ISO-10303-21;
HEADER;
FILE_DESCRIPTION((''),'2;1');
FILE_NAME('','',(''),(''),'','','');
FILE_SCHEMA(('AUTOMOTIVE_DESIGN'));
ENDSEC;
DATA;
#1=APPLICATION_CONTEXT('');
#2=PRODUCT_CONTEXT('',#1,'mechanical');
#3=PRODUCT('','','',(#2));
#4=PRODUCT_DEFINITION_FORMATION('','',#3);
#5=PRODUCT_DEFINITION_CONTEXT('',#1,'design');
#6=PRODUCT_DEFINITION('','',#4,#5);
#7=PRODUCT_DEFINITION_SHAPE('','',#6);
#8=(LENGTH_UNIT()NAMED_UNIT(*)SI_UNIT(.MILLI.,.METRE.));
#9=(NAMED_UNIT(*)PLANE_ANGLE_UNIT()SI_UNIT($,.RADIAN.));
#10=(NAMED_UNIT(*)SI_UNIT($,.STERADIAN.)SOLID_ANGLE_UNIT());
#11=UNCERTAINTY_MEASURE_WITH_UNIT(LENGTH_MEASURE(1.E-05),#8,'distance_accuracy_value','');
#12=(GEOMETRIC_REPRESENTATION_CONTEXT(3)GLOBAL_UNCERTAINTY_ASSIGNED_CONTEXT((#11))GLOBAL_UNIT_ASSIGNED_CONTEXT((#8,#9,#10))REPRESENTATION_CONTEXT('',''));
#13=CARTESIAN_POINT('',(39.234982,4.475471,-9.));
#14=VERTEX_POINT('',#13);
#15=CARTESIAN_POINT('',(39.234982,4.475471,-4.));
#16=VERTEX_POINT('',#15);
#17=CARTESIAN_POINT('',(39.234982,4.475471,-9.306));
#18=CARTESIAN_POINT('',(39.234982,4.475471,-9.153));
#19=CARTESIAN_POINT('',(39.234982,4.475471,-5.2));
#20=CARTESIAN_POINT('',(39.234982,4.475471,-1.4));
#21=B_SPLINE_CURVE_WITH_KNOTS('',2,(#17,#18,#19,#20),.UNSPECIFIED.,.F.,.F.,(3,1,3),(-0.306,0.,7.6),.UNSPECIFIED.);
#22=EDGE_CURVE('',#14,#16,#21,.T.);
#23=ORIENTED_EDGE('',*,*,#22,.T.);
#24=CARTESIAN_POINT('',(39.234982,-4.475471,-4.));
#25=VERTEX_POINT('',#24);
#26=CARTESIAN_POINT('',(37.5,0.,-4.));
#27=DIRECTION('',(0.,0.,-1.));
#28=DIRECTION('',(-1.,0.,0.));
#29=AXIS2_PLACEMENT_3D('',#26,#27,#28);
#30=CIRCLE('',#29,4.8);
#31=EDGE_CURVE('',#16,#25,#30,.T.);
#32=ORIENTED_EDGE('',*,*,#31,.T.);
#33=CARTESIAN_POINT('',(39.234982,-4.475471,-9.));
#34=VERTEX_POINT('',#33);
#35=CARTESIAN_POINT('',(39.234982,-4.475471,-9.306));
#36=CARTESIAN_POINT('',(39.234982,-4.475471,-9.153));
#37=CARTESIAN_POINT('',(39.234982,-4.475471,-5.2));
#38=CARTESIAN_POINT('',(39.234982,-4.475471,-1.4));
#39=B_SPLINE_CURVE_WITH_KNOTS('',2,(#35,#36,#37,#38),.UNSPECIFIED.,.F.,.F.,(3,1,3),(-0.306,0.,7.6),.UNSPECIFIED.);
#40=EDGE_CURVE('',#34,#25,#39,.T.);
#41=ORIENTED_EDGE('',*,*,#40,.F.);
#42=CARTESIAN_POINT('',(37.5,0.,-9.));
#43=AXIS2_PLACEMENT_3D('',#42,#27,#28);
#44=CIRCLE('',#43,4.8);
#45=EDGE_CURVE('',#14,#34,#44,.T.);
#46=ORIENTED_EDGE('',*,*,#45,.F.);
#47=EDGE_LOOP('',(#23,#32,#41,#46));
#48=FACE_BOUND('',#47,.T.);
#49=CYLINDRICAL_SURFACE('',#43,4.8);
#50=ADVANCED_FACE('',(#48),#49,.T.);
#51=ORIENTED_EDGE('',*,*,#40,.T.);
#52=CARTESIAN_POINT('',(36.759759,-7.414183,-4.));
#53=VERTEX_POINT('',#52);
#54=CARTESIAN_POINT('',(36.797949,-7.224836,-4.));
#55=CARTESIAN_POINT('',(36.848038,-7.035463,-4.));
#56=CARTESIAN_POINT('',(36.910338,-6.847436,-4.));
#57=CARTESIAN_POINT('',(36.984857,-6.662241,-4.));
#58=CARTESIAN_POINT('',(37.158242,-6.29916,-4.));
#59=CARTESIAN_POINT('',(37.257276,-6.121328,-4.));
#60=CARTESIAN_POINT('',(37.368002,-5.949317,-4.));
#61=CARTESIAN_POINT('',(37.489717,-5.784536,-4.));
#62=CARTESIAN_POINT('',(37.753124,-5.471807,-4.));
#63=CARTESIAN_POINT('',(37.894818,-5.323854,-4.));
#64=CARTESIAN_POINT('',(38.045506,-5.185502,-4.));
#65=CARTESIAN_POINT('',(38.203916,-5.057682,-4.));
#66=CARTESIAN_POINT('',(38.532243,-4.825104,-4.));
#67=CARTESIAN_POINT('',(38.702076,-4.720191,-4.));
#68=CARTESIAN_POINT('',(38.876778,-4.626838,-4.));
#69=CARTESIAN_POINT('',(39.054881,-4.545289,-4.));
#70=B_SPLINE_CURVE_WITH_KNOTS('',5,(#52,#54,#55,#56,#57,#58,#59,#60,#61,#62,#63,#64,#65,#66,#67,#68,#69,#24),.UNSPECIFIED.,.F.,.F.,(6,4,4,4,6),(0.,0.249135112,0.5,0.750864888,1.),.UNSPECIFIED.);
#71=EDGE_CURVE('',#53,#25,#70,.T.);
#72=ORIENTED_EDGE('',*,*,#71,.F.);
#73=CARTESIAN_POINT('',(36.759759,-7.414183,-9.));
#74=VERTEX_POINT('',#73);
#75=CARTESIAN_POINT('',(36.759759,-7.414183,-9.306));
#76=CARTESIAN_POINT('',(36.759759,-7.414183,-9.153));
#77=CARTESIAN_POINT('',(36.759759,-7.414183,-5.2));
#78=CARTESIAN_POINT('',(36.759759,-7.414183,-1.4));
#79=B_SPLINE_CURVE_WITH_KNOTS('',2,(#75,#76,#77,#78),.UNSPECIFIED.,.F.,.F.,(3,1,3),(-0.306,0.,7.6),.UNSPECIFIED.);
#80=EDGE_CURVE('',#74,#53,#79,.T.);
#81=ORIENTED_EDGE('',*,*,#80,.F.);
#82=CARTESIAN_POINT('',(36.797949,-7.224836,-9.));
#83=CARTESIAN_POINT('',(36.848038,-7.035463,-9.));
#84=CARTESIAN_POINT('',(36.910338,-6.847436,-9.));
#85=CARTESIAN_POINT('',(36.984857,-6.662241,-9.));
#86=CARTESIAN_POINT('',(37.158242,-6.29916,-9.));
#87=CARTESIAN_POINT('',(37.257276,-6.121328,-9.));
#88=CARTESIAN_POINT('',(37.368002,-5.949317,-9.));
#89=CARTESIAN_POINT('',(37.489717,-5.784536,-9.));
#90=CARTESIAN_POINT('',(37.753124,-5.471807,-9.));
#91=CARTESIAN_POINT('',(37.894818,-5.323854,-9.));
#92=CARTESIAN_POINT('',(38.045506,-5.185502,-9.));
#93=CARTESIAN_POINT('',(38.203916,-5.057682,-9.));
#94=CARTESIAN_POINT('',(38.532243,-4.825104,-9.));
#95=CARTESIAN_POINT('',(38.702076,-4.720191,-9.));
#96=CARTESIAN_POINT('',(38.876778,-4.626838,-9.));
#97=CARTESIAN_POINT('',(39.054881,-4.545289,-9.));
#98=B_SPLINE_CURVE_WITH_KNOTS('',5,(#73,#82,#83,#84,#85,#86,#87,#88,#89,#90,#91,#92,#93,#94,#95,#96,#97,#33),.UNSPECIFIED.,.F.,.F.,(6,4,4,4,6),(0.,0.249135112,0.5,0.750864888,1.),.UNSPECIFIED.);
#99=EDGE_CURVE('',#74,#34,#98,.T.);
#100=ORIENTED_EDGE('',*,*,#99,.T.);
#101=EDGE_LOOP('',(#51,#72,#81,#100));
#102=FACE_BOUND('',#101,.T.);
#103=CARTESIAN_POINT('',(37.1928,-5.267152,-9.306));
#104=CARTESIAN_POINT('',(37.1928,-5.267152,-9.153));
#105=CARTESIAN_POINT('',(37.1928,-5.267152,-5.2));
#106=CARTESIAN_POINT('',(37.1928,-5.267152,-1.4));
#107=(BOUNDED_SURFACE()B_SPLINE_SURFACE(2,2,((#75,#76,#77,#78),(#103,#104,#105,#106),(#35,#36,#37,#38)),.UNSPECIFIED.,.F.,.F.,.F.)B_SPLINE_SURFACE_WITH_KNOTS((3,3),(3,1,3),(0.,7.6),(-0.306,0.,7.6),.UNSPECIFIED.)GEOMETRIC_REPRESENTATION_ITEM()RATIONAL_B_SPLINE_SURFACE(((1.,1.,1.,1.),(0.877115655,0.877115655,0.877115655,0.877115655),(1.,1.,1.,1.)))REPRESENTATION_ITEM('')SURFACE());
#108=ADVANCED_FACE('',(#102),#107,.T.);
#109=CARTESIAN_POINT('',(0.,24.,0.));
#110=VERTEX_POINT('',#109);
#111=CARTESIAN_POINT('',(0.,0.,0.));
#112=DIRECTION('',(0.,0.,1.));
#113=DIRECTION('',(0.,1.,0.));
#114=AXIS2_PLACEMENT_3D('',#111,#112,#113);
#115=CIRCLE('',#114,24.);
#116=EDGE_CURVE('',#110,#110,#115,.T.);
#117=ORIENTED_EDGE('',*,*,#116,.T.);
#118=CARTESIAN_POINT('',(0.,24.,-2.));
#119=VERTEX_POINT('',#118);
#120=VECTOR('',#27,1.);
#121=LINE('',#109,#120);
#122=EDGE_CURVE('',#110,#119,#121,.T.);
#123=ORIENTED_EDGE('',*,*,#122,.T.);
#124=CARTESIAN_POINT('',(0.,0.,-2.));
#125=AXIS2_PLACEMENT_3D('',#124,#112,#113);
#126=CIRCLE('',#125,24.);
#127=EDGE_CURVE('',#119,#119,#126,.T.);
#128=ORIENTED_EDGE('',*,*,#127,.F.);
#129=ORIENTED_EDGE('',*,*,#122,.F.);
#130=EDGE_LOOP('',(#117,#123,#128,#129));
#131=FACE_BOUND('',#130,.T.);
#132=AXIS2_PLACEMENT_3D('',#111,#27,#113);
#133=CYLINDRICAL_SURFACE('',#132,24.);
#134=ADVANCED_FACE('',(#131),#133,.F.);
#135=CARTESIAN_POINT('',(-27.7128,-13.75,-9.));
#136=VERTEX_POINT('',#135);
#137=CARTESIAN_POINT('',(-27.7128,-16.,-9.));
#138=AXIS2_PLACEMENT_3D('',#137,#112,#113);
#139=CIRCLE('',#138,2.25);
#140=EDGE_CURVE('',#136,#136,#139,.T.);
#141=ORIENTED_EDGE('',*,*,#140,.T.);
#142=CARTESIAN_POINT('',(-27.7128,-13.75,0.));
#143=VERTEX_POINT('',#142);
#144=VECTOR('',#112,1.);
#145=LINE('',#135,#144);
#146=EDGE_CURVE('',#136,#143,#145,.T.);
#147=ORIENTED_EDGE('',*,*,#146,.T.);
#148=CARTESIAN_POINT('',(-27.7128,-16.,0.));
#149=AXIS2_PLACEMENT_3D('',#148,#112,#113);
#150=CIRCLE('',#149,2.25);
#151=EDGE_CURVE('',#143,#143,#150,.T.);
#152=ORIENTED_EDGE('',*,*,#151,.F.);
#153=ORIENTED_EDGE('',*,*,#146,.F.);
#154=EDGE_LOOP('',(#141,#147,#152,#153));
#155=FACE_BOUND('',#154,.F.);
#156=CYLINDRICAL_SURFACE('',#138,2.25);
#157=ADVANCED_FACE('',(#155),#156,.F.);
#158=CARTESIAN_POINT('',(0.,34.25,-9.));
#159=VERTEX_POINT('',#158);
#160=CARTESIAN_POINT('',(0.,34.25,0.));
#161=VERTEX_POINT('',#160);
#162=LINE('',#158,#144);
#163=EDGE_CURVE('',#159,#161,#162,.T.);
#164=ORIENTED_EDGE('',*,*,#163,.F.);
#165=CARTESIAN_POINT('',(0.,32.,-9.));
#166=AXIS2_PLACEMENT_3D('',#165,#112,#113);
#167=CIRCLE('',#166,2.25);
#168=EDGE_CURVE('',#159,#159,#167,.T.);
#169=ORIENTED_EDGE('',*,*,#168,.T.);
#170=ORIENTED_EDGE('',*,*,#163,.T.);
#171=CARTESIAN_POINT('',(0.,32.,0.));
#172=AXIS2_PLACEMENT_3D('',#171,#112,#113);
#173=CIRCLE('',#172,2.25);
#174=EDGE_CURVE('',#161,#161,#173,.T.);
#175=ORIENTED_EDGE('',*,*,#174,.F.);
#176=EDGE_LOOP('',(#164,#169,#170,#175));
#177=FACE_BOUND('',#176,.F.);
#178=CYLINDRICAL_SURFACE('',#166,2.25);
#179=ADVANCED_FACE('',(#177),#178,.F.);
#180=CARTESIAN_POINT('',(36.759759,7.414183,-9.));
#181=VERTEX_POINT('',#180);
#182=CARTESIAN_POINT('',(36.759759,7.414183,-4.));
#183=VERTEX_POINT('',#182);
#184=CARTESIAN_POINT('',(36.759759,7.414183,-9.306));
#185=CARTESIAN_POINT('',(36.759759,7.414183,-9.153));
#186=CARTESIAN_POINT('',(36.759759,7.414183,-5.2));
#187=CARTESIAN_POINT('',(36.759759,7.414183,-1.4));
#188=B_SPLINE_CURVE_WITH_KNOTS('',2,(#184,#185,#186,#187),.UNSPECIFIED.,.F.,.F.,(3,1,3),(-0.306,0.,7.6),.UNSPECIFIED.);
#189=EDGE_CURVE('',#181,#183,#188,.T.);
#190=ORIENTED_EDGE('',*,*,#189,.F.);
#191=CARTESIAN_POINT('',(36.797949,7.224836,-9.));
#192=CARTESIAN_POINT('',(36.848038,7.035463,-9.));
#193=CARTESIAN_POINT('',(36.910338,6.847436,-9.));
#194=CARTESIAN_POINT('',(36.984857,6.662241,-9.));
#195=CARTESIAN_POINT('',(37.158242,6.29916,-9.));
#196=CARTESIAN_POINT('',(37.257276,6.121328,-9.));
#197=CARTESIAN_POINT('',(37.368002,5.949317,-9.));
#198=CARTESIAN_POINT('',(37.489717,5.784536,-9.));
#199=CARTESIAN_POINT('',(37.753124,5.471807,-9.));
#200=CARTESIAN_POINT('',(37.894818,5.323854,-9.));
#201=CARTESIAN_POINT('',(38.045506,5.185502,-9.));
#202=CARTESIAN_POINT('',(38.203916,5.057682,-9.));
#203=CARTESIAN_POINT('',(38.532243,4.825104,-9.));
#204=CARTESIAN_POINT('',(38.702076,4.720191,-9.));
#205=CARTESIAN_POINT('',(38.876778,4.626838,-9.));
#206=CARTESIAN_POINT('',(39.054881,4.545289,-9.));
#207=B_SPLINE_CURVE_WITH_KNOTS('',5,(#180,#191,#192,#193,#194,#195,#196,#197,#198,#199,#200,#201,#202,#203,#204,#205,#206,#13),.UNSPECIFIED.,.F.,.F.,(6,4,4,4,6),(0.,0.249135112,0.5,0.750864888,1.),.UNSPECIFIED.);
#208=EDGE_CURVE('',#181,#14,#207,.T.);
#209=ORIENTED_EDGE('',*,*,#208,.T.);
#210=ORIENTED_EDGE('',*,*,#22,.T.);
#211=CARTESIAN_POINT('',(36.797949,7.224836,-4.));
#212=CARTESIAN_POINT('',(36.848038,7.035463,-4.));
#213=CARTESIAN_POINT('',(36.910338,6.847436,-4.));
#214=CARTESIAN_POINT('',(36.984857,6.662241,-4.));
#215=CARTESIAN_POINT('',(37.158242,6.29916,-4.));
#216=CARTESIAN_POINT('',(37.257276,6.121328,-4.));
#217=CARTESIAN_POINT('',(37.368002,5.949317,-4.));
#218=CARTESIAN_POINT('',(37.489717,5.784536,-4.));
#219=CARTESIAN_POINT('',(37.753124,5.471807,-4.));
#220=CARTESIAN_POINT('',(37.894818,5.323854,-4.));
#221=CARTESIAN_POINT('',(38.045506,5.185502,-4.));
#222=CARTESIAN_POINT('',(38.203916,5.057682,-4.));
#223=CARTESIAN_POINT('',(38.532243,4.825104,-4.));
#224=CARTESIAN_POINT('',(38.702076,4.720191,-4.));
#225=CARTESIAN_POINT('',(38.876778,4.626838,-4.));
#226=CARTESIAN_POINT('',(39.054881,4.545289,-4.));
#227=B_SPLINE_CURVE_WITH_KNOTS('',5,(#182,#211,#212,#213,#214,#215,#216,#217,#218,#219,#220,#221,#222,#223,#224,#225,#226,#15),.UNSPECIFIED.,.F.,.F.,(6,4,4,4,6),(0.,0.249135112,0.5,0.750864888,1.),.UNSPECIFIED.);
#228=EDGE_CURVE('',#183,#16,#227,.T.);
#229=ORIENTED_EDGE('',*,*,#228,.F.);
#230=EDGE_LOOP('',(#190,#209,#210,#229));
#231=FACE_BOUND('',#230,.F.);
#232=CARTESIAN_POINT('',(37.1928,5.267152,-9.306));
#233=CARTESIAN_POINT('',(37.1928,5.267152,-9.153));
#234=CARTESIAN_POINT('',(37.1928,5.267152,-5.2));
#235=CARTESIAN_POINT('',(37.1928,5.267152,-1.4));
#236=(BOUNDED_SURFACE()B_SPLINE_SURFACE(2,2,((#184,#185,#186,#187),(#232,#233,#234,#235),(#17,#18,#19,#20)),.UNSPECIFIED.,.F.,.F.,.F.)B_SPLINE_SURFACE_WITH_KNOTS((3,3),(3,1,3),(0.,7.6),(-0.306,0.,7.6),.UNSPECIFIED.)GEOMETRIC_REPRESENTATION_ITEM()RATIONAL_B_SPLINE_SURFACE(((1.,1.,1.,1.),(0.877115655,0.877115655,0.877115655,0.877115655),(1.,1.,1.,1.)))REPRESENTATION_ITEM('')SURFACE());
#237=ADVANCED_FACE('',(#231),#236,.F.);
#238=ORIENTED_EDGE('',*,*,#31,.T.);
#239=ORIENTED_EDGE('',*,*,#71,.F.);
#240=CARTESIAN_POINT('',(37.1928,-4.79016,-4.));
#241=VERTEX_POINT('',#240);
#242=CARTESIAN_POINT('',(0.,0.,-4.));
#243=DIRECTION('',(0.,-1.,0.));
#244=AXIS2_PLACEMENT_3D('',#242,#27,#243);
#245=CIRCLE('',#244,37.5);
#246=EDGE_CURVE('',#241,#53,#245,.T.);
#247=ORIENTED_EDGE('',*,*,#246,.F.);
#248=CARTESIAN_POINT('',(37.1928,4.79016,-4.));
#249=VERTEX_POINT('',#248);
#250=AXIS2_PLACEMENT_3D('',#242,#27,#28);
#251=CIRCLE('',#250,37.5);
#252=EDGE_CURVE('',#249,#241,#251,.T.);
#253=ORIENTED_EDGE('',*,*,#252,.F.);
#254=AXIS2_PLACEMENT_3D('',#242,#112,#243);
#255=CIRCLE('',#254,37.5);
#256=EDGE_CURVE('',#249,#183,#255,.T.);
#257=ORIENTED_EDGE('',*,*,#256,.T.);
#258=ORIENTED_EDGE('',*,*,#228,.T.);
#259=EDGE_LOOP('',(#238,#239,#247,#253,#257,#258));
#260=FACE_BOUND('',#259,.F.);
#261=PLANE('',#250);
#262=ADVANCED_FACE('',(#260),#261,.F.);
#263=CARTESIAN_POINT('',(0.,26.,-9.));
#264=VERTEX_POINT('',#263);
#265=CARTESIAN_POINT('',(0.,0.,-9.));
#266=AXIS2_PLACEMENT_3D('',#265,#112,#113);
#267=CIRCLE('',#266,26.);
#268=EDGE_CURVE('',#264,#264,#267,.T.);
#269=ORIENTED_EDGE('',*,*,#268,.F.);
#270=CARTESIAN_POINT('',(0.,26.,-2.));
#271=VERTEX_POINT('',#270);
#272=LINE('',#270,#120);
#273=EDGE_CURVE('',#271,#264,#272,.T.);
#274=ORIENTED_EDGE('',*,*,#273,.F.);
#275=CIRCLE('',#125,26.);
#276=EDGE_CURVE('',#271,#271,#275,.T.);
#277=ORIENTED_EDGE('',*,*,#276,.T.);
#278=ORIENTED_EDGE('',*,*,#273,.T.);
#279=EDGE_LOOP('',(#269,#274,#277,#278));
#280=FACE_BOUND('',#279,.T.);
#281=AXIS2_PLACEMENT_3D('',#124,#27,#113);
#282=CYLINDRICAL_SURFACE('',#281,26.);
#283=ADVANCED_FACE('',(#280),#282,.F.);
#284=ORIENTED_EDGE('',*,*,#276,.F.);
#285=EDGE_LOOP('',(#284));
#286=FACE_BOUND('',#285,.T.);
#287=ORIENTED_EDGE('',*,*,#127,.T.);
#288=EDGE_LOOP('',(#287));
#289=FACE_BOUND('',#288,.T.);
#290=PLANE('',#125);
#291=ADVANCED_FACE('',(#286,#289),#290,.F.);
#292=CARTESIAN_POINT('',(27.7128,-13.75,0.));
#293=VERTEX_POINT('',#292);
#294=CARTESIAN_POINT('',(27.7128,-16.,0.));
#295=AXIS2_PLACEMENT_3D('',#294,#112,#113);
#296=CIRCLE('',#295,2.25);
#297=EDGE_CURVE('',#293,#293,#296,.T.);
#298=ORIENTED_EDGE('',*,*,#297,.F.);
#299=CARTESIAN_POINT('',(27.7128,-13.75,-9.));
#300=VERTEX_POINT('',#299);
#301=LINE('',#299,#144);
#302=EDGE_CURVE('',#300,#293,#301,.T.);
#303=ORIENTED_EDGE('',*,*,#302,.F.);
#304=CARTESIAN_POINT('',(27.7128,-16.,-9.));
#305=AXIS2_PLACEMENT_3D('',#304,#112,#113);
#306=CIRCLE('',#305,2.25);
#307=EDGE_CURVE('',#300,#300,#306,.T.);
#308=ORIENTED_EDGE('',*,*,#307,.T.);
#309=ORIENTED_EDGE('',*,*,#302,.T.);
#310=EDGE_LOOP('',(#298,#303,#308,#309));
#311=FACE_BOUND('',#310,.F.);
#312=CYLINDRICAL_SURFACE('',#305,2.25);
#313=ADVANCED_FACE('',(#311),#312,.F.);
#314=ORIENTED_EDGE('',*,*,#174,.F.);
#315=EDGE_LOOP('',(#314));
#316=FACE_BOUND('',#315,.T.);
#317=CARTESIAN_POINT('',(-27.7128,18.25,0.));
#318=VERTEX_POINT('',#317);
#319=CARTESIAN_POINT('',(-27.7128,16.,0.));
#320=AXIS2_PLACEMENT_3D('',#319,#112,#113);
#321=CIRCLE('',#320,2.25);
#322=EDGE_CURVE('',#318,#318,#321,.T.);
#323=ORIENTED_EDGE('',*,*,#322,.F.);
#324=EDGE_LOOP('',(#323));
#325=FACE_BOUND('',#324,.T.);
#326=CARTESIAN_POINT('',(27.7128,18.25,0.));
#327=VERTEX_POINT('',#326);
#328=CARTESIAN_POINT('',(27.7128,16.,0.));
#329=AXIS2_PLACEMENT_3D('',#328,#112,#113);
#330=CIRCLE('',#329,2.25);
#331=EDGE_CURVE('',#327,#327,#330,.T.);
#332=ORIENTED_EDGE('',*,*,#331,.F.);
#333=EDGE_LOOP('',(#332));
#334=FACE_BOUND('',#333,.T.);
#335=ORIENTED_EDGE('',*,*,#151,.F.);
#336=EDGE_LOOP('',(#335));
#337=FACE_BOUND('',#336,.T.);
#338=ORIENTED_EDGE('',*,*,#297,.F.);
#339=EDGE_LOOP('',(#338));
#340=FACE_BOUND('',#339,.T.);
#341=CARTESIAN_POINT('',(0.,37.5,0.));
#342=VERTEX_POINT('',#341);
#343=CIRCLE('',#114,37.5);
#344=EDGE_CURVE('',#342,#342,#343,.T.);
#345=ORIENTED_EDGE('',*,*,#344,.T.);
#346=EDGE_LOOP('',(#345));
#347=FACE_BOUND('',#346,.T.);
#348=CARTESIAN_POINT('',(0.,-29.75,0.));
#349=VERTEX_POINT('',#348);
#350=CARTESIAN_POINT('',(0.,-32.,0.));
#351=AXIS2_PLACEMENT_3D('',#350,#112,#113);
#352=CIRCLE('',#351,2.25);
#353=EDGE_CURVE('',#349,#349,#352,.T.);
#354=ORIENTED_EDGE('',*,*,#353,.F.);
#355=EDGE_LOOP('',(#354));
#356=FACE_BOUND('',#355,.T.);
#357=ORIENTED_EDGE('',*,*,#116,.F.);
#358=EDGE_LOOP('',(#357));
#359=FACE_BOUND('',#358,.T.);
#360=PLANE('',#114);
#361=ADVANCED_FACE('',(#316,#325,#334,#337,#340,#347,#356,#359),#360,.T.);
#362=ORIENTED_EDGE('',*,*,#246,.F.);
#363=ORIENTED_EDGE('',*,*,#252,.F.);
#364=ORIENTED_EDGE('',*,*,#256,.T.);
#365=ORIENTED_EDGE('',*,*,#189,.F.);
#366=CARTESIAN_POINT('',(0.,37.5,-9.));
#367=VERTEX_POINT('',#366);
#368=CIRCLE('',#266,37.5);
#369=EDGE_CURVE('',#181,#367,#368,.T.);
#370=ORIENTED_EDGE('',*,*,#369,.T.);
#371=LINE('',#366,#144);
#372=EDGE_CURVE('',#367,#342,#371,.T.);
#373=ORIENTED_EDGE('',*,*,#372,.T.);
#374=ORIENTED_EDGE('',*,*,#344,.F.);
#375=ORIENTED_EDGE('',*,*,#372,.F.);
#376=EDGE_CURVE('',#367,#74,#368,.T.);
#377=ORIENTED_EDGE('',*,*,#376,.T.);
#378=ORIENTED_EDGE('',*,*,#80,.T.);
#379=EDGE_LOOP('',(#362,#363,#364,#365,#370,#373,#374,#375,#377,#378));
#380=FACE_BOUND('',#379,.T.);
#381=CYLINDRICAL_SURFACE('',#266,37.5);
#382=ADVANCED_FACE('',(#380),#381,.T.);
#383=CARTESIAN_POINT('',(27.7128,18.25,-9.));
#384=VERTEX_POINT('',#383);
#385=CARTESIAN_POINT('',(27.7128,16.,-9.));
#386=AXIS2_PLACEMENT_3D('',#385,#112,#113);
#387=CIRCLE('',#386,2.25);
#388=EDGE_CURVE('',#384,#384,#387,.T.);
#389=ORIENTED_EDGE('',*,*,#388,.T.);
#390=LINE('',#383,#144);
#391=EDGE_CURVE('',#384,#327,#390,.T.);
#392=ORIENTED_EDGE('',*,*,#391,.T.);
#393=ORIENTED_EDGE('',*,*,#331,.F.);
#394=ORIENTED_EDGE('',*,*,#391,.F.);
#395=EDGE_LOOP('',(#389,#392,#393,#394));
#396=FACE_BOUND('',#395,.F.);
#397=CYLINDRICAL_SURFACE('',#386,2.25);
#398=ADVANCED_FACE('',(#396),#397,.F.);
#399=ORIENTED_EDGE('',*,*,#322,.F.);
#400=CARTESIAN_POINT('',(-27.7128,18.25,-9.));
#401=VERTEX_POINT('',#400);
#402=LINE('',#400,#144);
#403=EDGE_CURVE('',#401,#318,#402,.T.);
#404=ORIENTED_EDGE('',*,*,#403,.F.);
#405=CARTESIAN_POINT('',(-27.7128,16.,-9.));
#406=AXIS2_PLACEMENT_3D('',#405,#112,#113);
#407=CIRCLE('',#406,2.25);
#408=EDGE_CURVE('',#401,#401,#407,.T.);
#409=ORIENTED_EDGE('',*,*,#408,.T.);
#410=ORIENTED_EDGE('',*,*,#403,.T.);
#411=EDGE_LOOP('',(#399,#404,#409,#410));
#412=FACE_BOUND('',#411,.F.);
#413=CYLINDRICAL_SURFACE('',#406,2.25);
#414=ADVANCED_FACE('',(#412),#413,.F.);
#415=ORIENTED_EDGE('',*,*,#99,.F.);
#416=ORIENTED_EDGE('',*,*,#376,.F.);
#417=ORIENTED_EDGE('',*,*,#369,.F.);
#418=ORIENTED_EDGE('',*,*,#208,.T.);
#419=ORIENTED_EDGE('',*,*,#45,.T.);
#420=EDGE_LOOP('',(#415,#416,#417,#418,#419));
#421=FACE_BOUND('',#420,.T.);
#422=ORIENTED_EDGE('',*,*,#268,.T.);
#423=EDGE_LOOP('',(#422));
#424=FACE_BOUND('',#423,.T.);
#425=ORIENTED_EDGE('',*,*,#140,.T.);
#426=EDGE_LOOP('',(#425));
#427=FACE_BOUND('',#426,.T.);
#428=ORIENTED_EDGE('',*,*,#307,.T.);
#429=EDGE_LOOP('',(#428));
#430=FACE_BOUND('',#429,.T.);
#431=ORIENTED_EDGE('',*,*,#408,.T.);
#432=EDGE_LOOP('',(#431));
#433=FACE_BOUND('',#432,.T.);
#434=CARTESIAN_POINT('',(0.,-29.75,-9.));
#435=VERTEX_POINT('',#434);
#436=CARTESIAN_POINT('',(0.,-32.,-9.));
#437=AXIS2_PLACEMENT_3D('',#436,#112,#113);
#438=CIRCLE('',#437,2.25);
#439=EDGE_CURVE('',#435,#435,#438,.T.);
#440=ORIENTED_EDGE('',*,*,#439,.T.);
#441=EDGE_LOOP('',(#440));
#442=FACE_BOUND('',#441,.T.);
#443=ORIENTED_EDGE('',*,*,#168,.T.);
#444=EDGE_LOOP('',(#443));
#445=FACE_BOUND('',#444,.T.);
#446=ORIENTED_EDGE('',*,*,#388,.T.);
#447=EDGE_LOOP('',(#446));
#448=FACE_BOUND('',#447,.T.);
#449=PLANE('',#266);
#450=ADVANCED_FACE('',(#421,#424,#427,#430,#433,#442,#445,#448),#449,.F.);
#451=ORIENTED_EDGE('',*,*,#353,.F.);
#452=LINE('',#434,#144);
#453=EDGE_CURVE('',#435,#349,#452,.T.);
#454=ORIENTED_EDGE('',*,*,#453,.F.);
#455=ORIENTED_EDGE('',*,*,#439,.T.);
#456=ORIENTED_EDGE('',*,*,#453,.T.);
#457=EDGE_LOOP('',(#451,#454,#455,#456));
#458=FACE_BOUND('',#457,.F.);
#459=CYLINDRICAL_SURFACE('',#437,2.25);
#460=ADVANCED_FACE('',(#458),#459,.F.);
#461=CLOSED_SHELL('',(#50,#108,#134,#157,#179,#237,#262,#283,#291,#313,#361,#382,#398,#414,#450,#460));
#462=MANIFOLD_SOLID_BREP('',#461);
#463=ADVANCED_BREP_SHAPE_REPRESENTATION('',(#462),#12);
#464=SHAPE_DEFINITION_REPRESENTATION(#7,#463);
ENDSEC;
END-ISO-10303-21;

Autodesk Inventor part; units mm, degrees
ref_plane "YZ Plane" through (0, 0, 0) normal (1, 0, 0) x (0, 1, 0)
ref_plane "XZ Plane" through (0, 0, 0) normal (0, 1, 0) x (-1, 0, 0)
ref_plane "XY Plane" through (0, 0, 0) normal (0, 0, 1) x (1, 0, 0)
sketch "スケッチ1" plane through (0, 0, 0) normal (1, 0, 0) x (0, 1, 0)
  line L0 (24, 0) -> (24, -2)
  line L1 (24, -2) -> (26, -2)
  line L2 (26, -2) -> (26, -9)
  line L3 (26, -9) -> (37.5, -9)
  line L4 (37.5, -9) -> (37.5, 0)
  line L5 (37.5, 0) -> (24, 0)
  line L6 (0, -10.8) -> (0, 1.8) projected
  point P0 (0, 0)
  dimension "d0" = 26
  dimension "d1" = 37.5
  dimension "d2" = 7
  dimension "d3" = 2
  dimension "d4" = 2
revolve "回転1" add sketch "スケッチ1" angle 360 about axis through (0, 0, -10) along (0, 0, 1)
sketch "スケッチ2" plane through (0, 0, -9) normal (0, 0, -1) x (-1, 0, 0)
  circle A0 centre (0, 0) radius 32
  point P0 (0, 32)
  point P1 (-27.7128, 16)
  point P2 (-27.7128, -16)
  point P3 (0, -32)
  point P4 (27.7128, -16)
  point P5 (27.7128, 16)
  dimension "d6" = 64
  dimension "d9" = 360
hole "穴1" at (0, 32, -9) at (27.7128, 16, -9) at (27.7128, -16, -9) at (0, -32, -9) at (-27.7128, -16, -9) at (-27.7128, 16, -9) direction (0, 0, 1) diameter 4.5 end through all clearance for "Socket Head Cap Screw" size "M4" standard "Ansi Metric M Profile"
sketch "スケッチ3" plane through (0, 0, -9) normal (0, 0, -1) x (-1, 0, 0)
  circle A0 centre (-37.5, 0) radius 4.8
  circle A1 centre (0, 0) radius 37.5 projected
  point P0 (-37.1928, 4.7902)
  point P1 (-37.1928, -4.7902)
  dimension "d18" = 9.6
extrude "押し出し1" add sketch "スケッチ3" against normal blind 5 contours A1 A0 picked at (-39.0772, 0)
fillet "フィレット1" radius 4 2 edges at (37.1928, 4.7902, -6.5) (37.1928, -4.7902, -6.5)
properties part number "unit-base1" material "ABS プラスチック"
